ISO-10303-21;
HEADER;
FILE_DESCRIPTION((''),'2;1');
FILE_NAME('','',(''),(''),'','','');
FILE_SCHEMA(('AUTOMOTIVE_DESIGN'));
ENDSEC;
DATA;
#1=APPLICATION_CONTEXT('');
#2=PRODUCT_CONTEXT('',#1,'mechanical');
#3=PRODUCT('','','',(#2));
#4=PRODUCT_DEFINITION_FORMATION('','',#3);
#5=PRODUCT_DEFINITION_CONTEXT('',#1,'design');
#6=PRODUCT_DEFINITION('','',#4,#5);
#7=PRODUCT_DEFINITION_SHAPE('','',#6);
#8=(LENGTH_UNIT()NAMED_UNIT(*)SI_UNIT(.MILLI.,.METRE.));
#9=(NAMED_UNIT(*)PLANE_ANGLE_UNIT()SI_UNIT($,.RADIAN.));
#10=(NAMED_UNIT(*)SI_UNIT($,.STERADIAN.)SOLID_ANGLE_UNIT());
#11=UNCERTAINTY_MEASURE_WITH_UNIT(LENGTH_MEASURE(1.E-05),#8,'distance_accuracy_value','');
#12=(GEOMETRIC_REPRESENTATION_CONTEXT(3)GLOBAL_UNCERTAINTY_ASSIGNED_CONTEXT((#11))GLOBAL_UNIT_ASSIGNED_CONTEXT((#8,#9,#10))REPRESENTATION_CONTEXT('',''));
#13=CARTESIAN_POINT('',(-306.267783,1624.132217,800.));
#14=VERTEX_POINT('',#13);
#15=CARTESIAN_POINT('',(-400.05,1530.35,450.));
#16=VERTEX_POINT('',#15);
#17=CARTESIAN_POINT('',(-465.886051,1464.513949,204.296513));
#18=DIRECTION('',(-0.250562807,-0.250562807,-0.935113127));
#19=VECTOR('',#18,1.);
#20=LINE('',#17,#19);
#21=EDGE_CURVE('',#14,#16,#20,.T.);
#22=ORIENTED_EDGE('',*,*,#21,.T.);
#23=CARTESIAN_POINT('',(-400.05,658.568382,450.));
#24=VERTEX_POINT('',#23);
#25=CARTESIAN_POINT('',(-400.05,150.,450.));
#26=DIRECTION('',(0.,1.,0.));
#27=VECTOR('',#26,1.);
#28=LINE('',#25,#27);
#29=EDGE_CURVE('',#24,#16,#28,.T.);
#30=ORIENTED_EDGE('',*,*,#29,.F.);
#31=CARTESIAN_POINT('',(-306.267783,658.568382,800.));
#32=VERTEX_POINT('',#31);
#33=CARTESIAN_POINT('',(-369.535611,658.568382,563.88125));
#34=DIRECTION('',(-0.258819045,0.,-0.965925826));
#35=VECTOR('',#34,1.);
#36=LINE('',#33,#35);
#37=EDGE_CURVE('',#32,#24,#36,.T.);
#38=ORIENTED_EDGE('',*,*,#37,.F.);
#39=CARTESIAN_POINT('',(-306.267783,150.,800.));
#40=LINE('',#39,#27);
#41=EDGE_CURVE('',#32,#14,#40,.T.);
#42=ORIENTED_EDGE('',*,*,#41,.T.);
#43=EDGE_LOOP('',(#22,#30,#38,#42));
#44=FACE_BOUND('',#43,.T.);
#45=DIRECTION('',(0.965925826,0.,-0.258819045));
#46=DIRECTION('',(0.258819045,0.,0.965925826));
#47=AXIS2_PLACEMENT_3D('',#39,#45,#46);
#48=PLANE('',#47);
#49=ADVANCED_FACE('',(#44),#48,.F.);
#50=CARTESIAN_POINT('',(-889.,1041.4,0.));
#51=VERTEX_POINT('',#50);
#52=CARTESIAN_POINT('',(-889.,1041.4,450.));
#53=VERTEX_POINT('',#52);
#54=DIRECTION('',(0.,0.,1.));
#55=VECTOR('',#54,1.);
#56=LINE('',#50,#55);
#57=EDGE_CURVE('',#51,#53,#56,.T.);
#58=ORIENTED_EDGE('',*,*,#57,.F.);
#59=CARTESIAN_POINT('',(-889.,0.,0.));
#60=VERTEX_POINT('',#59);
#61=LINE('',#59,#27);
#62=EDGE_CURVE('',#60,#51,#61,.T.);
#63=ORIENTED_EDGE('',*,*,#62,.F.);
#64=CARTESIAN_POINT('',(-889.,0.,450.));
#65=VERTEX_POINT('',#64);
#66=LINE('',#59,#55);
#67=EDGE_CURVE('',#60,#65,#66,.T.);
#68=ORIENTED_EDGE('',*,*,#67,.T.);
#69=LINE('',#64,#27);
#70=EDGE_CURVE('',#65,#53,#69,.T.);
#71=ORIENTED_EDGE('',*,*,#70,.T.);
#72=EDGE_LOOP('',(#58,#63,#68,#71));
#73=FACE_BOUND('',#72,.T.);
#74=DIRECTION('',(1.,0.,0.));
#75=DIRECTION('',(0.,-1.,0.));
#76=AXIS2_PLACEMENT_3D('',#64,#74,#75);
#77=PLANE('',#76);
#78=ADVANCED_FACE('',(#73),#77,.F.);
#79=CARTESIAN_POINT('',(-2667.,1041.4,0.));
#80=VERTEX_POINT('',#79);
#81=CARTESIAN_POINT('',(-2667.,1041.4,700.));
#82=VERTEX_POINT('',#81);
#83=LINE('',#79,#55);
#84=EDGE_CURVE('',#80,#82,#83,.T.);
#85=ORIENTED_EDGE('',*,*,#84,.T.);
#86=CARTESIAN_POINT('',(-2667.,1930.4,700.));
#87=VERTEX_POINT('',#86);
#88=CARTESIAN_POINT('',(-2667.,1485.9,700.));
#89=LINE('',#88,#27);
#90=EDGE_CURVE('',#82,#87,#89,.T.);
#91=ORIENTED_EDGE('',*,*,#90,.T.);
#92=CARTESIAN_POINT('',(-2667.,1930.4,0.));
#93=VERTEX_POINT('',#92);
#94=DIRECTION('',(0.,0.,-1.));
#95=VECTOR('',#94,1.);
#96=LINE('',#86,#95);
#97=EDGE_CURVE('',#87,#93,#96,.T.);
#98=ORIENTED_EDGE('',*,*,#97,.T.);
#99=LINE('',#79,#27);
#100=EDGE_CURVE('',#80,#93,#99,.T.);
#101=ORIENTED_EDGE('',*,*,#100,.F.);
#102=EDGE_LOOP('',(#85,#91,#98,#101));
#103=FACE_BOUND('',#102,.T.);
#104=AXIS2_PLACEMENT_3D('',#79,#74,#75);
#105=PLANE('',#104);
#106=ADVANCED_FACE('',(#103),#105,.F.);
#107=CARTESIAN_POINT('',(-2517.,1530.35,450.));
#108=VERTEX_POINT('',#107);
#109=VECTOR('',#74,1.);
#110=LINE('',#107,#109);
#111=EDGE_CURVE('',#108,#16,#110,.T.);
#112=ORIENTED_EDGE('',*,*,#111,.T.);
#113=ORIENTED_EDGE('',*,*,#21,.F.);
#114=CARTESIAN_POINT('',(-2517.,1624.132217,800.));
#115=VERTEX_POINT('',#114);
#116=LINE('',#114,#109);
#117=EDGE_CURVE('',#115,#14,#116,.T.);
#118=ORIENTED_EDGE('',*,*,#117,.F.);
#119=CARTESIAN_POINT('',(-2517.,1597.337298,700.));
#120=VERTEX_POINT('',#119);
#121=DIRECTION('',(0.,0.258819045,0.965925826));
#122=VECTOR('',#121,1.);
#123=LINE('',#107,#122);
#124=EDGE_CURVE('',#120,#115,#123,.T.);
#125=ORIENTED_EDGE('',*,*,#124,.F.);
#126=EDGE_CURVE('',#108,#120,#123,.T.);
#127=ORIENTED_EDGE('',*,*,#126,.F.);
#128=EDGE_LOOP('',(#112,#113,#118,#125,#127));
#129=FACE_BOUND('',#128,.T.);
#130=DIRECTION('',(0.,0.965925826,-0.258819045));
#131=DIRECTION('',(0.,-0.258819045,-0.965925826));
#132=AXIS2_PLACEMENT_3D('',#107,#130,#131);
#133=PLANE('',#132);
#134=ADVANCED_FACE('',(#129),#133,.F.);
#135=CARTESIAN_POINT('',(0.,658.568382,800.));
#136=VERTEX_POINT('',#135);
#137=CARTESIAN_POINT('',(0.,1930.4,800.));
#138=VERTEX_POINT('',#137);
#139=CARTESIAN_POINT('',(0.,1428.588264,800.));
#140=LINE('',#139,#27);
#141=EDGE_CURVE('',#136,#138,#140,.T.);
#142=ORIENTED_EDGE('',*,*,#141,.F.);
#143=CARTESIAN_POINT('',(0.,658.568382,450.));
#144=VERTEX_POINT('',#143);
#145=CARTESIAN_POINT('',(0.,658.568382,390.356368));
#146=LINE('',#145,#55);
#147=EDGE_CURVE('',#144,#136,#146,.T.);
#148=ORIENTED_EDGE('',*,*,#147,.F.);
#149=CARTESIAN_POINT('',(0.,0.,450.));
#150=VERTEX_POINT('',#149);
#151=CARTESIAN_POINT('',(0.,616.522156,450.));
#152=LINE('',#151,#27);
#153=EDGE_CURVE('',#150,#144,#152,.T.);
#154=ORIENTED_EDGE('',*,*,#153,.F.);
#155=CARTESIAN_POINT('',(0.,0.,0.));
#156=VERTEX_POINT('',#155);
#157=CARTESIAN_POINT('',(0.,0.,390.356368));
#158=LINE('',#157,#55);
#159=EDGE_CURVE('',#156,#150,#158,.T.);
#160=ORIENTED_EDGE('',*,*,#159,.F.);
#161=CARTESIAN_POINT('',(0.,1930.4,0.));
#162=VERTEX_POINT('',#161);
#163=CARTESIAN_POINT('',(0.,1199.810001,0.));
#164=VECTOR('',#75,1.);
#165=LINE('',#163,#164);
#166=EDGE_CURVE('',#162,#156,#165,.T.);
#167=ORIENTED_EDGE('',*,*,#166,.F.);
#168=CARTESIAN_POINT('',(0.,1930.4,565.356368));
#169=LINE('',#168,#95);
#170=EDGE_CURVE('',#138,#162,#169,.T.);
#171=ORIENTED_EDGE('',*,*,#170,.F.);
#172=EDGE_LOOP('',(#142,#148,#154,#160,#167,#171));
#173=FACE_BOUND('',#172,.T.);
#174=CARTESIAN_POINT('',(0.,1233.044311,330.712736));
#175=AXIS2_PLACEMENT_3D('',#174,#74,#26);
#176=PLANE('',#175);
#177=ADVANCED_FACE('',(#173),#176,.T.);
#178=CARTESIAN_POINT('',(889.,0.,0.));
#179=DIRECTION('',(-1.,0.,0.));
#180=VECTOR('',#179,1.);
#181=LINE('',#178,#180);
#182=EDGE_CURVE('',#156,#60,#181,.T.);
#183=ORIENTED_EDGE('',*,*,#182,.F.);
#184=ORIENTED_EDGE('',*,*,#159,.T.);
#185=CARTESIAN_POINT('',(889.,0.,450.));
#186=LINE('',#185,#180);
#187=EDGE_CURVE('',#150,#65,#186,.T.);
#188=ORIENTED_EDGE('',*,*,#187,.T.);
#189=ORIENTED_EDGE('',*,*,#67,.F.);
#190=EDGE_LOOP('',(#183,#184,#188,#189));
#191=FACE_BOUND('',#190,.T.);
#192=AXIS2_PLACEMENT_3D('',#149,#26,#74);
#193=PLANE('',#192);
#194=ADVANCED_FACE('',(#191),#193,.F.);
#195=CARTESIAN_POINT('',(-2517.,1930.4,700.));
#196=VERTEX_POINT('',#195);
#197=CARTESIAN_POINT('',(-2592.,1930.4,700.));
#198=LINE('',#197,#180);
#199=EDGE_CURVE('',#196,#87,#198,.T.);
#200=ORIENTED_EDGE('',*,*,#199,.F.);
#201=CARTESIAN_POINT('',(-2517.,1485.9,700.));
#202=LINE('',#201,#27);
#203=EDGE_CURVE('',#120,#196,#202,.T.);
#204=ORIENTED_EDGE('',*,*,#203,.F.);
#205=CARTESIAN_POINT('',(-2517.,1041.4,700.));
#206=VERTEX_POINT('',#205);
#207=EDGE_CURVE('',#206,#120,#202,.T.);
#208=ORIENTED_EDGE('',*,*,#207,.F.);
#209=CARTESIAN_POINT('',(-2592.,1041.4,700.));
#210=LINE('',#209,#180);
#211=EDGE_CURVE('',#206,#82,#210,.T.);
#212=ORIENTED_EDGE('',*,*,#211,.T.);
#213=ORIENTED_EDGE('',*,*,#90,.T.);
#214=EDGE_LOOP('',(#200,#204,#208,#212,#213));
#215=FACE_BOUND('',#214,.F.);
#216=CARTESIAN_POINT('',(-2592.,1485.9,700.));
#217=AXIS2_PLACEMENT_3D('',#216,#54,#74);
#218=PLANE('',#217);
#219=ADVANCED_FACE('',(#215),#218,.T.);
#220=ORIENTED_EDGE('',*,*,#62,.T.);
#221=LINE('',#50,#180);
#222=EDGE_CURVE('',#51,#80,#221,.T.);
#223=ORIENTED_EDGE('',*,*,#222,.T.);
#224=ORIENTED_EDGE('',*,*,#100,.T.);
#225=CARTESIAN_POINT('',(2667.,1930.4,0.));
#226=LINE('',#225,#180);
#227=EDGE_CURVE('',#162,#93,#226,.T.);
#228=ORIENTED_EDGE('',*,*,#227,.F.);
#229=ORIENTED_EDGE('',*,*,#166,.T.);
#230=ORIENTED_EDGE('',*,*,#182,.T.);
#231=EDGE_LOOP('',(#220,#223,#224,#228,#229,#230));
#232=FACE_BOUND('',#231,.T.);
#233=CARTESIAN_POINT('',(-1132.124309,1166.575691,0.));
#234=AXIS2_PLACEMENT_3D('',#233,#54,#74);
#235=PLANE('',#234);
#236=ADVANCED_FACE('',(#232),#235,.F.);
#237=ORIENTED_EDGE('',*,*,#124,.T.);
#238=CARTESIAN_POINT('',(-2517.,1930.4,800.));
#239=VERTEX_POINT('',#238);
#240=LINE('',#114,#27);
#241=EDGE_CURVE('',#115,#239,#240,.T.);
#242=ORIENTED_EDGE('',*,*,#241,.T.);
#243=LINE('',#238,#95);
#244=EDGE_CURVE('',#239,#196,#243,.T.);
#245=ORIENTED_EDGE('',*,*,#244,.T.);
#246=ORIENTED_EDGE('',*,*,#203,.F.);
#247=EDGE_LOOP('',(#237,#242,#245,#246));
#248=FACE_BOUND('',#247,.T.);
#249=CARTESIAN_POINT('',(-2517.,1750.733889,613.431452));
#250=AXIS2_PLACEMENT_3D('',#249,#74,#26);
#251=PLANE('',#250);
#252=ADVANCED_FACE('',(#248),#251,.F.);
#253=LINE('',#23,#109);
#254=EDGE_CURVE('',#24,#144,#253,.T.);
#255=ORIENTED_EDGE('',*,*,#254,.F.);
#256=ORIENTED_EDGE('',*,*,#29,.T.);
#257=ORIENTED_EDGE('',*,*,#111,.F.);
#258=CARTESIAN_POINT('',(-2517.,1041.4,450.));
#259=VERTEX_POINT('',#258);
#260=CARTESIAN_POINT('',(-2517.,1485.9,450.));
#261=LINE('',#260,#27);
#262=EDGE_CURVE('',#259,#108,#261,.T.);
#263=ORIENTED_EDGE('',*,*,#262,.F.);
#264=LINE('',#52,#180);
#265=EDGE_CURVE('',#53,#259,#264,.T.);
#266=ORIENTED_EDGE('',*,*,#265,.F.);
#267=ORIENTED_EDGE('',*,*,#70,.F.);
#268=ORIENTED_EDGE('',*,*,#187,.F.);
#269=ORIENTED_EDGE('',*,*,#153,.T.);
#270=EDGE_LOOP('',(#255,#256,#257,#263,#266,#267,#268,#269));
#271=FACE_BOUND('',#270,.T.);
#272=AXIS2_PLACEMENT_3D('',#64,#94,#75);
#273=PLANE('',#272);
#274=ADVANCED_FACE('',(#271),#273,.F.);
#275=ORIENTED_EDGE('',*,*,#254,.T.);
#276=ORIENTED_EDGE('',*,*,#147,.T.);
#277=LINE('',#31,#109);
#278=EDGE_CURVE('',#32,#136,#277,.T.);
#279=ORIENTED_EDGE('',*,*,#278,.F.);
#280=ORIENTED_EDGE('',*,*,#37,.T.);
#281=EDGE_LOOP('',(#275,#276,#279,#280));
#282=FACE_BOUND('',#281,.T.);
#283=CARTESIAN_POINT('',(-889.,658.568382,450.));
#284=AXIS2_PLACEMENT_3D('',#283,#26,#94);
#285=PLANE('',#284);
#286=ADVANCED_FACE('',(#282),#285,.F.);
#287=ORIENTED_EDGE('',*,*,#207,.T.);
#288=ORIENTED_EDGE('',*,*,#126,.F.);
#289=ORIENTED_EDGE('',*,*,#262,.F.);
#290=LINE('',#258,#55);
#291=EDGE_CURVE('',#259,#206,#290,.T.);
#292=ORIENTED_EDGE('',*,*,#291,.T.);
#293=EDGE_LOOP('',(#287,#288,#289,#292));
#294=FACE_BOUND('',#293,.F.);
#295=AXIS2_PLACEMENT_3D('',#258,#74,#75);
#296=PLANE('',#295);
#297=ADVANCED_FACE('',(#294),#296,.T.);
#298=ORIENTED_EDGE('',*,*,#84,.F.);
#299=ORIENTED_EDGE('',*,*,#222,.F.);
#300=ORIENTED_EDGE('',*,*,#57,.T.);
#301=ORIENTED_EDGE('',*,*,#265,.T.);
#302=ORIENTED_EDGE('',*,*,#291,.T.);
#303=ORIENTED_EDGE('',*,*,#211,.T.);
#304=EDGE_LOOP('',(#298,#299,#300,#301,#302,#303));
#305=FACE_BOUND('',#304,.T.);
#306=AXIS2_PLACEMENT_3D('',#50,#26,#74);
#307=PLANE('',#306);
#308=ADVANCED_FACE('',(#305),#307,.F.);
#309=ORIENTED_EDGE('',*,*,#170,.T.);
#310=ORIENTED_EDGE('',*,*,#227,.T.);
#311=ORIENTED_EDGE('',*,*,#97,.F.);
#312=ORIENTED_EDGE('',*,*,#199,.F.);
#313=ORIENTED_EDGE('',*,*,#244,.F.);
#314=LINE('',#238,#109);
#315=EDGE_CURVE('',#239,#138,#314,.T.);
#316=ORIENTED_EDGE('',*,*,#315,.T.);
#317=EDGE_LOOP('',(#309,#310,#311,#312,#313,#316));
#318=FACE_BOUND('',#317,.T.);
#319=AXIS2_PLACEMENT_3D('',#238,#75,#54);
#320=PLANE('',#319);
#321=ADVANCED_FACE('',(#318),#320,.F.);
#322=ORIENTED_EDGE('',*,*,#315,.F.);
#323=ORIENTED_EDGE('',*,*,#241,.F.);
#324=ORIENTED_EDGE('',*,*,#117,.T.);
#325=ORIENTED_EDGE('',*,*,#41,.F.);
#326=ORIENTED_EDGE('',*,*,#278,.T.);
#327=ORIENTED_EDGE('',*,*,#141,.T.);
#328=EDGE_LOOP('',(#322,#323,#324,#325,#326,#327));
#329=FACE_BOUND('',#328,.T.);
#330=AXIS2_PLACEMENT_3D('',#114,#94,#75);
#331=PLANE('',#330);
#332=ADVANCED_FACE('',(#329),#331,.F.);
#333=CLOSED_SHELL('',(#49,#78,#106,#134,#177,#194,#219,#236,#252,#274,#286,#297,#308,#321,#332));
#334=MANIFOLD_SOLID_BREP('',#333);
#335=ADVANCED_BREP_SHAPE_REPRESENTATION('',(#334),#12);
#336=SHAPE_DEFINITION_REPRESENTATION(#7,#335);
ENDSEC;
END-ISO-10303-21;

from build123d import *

# Parameters (mm, degrees)
F1_DEPTH  = 450
F2_W      = 889
F2_H      = 150
F2_W_2    = 150
F2_H_2    = 889
F3_DEPTH  = 250
F5_DEPTH  = 1780.4
F8_W      = 658.5683822632
F8_H      = 350
F9_DEPTH  = 889.001
F11_W     = 3085.2428972721
F11_H     = 1244.7776794434
F12_DEPTH = 2667.001


with BuildPart() as f1:
    # F0 (on Top) → F1 (new body)
    with BuildSketch(Plane.XY):
        Polygon((0, 1930.4), (0, 0), (889, 0), (889, 1041.4), (2667, 1041.4), (2667, 1930.4), align=None)
    extrude(amount=F1_DEPTH)

    # F2 (on face) → F3 (join)
    with BuildSketch(Plane.XY.offset(450)):
        with Locations((444.5, 75)):
            Rectangle(F2_W, F2_H)
        with Locations((2592, 1485.9)):
            Rectangle(F2_W_2, F2_H_2)
    extrude(amount=F3_DEPTH)

    # F4 (on face) → F5 (join, through all)
    with BuildSketch(Plane(origin=(0, 150, 0), x_dir=(-1, 0, 0), z_dir=(0, 1, 0))):
        Polygon((-400.05, 450), (0, 450), (0, 800), (-306.2677826491, 800), align=None)
    extrude(amount=F5_DEPTH)

    # F6 (on face) → F7 (join, up to the next surface of F1)
    with BuildSketch(Plane(origin=(2517, 0, 0), x_dir=(0, -1, 0), z_dir=(-1, 0, 0))):
        Polygon((-1930.4, 800), (-1930.4, 450), (-1530.35, 450), (-1624.1322173509, 800), align=None)
    extrude(until=Until.NEXT)

    # F8 (on face) → F9 (cut, through all)
    with BuildSketch(Plane.YZ.offset(889)):
        with Locations((329.2841911316, 625)):
            Rectangle(F8_W, F8_H)
    extrude(amount=-F9_DEPTH, mode=Mode.SUBTRACT)

    # F10: F1 across plane


with BuildPart() as f1_1:
    add(f1.part)
    add(f1.part.mirror(Plane.YZ))

    # F11 (on Right) → F12 (cut, through all)
    with BuildSketch(Plane.YZ):
        with Locations((1233.0443114042, 330.7127356529)):
            Rectangle(F11_W, F11_H)
    extrude(amount=F12_DEPTH, mode=Mode.SUBTRACT)


solid = f1_1.part
